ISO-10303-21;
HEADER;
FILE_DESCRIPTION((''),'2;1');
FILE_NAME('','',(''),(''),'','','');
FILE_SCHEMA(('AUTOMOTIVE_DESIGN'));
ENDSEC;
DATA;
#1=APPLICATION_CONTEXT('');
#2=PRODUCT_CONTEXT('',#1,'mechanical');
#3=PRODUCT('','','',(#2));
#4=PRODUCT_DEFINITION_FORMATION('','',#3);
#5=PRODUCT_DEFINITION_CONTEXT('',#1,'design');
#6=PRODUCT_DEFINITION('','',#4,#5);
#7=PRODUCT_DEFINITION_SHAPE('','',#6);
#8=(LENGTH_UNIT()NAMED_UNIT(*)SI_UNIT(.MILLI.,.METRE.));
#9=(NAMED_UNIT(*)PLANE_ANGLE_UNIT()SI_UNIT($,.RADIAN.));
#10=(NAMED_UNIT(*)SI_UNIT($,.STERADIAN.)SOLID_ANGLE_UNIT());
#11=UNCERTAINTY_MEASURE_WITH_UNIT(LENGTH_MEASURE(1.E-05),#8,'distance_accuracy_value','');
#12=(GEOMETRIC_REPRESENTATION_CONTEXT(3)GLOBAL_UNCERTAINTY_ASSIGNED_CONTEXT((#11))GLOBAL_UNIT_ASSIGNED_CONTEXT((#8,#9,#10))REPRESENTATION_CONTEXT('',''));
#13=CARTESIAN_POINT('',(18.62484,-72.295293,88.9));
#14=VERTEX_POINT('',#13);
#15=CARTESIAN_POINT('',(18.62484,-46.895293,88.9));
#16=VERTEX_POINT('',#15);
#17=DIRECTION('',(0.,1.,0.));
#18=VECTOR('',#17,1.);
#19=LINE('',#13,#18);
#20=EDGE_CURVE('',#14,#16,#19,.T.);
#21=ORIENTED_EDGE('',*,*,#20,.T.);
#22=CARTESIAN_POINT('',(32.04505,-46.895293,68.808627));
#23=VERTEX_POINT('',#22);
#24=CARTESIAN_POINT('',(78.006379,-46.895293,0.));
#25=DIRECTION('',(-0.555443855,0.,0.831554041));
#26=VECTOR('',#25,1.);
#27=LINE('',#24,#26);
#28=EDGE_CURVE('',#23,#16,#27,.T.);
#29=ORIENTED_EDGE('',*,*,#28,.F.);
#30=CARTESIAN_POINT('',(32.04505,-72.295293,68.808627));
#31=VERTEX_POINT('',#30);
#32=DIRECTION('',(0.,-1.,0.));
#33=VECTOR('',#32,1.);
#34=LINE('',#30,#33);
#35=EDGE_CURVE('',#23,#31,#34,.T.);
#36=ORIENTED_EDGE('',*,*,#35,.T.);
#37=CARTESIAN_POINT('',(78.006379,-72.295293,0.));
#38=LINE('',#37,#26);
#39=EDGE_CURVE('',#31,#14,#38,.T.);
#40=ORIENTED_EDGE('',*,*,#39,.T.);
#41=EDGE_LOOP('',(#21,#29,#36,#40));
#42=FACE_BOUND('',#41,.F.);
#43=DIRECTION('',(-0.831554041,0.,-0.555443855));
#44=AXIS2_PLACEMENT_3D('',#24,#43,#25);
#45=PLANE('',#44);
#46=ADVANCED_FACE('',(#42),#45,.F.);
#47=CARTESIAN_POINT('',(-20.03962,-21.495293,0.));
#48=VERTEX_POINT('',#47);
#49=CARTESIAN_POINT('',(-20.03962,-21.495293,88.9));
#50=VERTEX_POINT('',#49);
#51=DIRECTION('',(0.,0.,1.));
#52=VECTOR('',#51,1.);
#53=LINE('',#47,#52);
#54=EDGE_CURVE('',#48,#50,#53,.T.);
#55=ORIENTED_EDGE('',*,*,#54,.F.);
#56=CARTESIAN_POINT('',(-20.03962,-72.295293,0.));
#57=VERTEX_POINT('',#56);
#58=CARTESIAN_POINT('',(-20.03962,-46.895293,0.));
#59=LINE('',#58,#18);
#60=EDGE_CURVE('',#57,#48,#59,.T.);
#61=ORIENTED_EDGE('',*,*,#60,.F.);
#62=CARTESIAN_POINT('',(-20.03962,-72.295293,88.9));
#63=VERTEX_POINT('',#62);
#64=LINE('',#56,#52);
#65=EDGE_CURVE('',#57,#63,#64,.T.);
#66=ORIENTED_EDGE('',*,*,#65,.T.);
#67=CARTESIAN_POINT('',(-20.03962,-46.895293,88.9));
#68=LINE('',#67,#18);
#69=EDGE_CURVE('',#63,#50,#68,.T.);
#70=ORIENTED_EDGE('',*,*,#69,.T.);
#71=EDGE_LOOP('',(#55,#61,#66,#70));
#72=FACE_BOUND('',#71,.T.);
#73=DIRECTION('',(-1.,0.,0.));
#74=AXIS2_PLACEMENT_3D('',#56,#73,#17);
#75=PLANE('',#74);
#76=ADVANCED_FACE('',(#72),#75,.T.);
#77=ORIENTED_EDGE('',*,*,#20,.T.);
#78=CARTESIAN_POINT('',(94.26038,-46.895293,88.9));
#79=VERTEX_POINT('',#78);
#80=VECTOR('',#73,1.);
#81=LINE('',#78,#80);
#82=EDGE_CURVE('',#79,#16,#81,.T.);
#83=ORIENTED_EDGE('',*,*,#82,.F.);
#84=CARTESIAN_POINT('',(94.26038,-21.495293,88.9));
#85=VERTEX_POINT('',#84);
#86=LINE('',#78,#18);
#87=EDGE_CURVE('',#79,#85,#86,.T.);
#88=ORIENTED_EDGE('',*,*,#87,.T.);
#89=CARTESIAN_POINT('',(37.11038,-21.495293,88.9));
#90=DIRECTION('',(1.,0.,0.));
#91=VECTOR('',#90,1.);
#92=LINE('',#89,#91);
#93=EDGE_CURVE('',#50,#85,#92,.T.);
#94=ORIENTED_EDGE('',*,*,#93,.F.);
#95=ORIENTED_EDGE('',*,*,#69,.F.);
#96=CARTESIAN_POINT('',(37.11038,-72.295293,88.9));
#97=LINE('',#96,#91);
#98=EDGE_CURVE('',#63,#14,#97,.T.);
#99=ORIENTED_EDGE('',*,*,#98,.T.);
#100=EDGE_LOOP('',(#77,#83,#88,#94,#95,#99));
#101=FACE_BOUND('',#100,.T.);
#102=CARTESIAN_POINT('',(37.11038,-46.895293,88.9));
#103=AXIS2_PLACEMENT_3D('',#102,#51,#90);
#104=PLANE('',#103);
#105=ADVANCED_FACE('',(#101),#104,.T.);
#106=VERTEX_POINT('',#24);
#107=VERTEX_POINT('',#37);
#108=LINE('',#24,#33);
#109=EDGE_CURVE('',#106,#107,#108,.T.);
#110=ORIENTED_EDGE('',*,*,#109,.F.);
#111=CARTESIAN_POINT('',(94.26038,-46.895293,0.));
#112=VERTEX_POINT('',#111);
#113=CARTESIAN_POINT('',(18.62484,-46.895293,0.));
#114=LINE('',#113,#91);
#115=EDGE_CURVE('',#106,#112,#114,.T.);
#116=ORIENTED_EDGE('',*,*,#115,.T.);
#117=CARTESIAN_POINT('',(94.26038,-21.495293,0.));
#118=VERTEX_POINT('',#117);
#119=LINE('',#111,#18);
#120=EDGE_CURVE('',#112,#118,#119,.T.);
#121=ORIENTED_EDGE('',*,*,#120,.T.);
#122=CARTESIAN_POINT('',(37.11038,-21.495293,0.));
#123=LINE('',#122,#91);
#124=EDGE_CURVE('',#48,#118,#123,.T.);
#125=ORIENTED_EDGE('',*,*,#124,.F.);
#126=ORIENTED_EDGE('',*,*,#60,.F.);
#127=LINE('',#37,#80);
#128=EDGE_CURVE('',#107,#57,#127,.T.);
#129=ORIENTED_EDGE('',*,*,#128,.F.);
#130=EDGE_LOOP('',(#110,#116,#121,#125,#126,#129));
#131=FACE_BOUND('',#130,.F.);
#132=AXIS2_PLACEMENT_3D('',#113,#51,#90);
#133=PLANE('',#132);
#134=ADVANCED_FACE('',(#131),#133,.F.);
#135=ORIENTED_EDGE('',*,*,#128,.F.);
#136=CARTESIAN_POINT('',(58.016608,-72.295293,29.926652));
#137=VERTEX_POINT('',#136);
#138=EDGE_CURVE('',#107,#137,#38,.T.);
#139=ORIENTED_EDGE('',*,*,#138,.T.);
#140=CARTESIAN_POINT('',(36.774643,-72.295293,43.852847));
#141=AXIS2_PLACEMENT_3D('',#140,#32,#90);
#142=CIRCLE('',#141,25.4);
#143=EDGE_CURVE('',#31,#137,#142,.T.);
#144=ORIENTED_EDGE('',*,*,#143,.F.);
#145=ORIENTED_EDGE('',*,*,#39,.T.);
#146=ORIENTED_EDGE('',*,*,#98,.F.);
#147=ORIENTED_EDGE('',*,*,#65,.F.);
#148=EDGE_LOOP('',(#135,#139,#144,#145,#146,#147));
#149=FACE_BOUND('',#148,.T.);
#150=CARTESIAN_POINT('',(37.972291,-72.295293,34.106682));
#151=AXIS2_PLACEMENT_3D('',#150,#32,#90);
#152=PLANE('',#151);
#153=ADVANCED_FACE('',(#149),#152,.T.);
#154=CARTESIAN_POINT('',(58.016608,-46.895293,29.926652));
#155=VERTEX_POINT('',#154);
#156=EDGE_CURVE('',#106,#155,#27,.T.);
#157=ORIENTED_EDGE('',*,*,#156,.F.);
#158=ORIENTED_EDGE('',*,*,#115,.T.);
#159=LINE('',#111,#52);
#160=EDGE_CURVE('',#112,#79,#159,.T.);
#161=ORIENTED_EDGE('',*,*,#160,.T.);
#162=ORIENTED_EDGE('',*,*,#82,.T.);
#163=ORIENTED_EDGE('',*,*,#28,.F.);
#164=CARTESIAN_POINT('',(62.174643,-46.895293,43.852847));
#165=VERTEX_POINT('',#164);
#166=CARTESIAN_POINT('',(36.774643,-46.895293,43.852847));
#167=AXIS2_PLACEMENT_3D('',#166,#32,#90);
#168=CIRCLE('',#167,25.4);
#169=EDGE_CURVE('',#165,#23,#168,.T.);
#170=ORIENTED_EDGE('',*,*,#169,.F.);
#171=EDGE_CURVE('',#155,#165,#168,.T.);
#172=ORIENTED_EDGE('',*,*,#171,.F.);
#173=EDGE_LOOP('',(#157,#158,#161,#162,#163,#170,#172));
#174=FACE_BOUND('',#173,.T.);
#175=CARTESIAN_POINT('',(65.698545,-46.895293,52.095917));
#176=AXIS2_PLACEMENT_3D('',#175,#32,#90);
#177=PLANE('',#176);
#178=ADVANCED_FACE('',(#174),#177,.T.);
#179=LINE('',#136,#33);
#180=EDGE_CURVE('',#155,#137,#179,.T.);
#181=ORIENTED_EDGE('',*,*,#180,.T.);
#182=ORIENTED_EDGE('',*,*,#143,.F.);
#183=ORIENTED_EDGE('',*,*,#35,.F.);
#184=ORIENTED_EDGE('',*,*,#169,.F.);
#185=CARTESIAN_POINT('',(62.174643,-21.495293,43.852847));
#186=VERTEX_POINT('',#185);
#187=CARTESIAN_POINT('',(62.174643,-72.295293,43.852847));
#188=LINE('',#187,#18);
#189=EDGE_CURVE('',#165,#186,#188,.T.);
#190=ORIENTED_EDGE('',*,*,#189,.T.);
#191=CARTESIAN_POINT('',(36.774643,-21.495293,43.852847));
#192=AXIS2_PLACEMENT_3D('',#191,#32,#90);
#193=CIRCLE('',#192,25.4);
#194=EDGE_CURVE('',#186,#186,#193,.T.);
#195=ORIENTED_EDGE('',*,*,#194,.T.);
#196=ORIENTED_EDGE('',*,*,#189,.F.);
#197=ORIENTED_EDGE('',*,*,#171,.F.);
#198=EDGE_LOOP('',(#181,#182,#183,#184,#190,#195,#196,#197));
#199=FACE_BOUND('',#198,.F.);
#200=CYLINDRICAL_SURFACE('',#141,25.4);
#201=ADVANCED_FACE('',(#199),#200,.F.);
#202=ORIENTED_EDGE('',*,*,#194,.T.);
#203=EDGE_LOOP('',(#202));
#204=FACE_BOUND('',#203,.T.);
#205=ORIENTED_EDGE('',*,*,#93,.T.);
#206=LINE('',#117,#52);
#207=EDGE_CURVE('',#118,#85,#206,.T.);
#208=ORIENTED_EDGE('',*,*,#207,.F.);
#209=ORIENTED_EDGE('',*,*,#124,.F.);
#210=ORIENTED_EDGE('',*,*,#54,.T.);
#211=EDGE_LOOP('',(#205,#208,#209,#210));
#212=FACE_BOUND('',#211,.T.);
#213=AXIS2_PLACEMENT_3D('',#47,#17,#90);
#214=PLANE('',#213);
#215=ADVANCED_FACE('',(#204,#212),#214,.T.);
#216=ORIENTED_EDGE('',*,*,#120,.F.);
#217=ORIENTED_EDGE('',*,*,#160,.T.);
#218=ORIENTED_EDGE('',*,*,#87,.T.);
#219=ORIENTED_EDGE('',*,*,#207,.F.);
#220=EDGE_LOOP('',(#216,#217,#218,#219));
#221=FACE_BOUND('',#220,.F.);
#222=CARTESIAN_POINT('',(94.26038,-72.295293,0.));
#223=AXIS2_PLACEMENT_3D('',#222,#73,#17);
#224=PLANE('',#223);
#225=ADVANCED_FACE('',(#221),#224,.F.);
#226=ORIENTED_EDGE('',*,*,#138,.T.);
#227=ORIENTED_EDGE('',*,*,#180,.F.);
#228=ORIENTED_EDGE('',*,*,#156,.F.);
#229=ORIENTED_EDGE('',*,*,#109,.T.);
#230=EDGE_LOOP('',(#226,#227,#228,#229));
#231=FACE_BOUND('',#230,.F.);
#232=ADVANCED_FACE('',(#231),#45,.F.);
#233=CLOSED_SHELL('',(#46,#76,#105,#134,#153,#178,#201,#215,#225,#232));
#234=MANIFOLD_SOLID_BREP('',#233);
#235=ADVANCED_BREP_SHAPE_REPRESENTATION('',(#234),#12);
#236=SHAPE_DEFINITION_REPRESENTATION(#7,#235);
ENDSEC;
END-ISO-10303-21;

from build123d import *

# Parameters (mm, degrees)
F0_W     = 114.3
F0_H     = 50.8
F1_DEPTH = 88.9
F3_DEPTH = 25.4
F5_DEPTH = 25.4
F6_R     = 25.4
F7_DEPTH = 92.202


with BuildPart() as f1:
    # F0 (on Top) → F1 (new body)
    with BuildSketch(Plane.XY):
        with Locations((37.11038, -46.895293)):
            Rectangle(F0_W, F0_H)
    extrude(amount=F1_DEPTH)

    # F2 (on face) → F3 (cut)
    with BuildSketch(Plane.XZ.offset(72.295293)):
        Polygon((68.86038, 0), (94.26038, 0), (94.26038, 88.9), (18.62484, 88.9), align=None)
        Polygon((18.62484, 0), (68.86038, 0), (18.62484, 88.9), align=None)
    extrude(amount=-F3_DEPTH, mode=Mode.SUBTRACT)

    # F4 (on face) → F5 (join)
    with BuildSketch(Plane.XZ.offset(46.895293)):
        Polygon((78.006379, 0), (18.62484, 88.9), (18.62484, 0), align=None)
    extrude(amount=F5_DEPTH)

    # F6 (on face) → F7 (cut)
    with BuildSketch(Plane.XZ.offset(72.295293)):
        with Locations((36.774643, 43.852847)):
            Circle(F6_R)
    extrude(amount=-F7_DEPTH, mode=Mode.SUBTRACT)


solid = f1.part
